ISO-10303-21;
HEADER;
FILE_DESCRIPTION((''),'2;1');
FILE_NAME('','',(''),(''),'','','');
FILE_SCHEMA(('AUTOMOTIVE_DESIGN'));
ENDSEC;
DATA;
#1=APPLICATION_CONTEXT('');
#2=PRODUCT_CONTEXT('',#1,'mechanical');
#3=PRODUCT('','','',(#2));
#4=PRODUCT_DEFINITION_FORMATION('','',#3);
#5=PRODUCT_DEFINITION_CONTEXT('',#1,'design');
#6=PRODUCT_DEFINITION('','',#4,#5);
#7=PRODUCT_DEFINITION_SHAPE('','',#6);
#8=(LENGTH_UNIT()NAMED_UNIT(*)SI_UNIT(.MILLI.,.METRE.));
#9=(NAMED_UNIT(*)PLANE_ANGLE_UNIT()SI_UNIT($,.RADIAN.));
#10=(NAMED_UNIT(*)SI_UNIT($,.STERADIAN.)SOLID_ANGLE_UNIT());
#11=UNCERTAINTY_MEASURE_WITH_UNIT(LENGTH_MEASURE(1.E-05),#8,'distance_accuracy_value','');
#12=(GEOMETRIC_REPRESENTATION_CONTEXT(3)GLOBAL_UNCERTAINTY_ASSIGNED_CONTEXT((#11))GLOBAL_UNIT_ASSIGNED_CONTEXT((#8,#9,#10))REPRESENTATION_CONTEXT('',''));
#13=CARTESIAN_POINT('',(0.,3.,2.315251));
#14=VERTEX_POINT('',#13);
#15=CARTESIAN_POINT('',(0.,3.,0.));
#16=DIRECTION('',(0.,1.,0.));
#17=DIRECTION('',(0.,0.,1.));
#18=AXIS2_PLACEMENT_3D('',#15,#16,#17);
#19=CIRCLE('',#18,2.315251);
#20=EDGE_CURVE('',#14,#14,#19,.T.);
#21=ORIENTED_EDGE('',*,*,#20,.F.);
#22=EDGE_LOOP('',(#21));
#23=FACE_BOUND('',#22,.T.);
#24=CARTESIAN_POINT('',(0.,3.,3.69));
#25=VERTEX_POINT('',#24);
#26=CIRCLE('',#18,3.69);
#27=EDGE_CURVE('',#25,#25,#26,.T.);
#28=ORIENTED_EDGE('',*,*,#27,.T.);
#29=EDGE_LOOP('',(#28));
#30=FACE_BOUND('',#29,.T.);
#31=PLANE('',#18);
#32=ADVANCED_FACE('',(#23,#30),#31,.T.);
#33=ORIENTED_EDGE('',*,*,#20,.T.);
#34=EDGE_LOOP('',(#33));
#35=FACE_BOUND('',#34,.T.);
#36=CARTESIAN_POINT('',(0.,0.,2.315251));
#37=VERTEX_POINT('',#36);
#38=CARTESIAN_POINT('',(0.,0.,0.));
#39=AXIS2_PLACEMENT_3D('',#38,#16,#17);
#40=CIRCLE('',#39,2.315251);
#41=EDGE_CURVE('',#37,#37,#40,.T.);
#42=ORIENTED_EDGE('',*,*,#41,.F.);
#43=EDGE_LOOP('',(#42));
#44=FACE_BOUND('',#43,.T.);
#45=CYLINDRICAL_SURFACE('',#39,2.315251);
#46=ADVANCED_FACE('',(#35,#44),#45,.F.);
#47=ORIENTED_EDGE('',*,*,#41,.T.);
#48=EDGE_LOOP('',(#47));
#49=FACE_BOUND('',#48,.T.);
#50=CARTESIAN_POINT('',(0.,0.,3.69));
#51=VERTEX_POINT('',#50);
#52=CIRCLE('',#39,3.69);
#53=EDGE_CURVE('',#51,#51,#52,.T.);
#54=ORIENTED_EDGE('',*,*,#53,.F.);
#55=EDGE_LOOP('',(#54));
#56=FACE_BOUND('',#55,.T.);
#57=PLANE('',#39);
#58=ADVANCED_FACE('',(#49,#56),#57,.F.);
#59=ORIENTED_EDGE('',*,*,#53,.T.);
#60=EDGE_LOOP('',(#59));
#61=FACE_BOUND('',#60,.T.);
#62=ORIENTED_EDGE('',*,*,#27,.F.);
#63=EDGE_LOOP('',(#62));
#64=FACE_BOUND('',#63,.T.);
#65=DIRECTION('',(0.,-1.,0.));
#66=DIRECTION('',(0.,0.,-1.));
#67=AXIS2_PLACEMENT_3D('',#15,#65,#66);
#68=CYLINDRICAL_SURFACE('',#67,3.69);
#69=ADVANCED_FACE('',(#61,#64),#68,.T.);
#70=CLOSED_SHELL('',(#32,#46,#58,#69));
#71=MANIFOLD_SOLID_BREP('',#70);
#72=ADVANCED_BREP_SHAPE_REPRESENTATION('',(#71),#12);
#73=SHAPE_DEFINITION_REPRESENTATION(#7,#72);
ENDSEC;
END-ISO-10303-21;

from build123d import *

# Parameters (mm, degrees)
SKETCH1_R           = 3.69
BOSS_EXTRUDE3_DEPTH = 3
SKETCH3_R           = 2.006520574
CUT_EXTRUDE2_DEPTH  = 3
SKETCH4_R           = 2.315250801
CUT_EXTRUDE3_DEPTH  = 3


with BuildPart() as part:
    # Sketch1 → Boss-Extrude3 (new body)
    with BuildSketch(Plane(origin=(0, 0, 0), x_dir=(1, 0, 0), z_dir=(0, 1, 0))):
        with Locations(Location((0, 0, 0), (0, 0, 270))):
            Circle(SKETCH1_R)
    extrude(amount=BOSS_EXTRUDE3_DEPTH)

    # Sketch3 → Cut-Extrude2 (cut)
    with BuildSketch(Plane(origin=(0, 3, 0), x_dir=(1, 0, 0), z_dir=(0, 1, 0))):
        with Locations(Location((0, 0, 0), (0, 0, 270))):
            Circle(SKETCH3_R)
    extrude(amount=-CUT_EXTRUDE2_DEPTH, mode=Mode.SUBTRACT)

    # Sketch4 → Cut-Extrude3 (cut)
    with BuildSketch(Plane(origin=(0, 3, 0), x_dir=(1, 0, 0), z_dir=(0, 1, 0))):
        with Locations(Location((0, 0, 0), (0, 0, 270))):
            Circle(SKETCH4_R)
    extrude(amount=-CUT_EXTRUDE3_DEPTH, mode=Mode.SUBTRACT)


solid = part.part
